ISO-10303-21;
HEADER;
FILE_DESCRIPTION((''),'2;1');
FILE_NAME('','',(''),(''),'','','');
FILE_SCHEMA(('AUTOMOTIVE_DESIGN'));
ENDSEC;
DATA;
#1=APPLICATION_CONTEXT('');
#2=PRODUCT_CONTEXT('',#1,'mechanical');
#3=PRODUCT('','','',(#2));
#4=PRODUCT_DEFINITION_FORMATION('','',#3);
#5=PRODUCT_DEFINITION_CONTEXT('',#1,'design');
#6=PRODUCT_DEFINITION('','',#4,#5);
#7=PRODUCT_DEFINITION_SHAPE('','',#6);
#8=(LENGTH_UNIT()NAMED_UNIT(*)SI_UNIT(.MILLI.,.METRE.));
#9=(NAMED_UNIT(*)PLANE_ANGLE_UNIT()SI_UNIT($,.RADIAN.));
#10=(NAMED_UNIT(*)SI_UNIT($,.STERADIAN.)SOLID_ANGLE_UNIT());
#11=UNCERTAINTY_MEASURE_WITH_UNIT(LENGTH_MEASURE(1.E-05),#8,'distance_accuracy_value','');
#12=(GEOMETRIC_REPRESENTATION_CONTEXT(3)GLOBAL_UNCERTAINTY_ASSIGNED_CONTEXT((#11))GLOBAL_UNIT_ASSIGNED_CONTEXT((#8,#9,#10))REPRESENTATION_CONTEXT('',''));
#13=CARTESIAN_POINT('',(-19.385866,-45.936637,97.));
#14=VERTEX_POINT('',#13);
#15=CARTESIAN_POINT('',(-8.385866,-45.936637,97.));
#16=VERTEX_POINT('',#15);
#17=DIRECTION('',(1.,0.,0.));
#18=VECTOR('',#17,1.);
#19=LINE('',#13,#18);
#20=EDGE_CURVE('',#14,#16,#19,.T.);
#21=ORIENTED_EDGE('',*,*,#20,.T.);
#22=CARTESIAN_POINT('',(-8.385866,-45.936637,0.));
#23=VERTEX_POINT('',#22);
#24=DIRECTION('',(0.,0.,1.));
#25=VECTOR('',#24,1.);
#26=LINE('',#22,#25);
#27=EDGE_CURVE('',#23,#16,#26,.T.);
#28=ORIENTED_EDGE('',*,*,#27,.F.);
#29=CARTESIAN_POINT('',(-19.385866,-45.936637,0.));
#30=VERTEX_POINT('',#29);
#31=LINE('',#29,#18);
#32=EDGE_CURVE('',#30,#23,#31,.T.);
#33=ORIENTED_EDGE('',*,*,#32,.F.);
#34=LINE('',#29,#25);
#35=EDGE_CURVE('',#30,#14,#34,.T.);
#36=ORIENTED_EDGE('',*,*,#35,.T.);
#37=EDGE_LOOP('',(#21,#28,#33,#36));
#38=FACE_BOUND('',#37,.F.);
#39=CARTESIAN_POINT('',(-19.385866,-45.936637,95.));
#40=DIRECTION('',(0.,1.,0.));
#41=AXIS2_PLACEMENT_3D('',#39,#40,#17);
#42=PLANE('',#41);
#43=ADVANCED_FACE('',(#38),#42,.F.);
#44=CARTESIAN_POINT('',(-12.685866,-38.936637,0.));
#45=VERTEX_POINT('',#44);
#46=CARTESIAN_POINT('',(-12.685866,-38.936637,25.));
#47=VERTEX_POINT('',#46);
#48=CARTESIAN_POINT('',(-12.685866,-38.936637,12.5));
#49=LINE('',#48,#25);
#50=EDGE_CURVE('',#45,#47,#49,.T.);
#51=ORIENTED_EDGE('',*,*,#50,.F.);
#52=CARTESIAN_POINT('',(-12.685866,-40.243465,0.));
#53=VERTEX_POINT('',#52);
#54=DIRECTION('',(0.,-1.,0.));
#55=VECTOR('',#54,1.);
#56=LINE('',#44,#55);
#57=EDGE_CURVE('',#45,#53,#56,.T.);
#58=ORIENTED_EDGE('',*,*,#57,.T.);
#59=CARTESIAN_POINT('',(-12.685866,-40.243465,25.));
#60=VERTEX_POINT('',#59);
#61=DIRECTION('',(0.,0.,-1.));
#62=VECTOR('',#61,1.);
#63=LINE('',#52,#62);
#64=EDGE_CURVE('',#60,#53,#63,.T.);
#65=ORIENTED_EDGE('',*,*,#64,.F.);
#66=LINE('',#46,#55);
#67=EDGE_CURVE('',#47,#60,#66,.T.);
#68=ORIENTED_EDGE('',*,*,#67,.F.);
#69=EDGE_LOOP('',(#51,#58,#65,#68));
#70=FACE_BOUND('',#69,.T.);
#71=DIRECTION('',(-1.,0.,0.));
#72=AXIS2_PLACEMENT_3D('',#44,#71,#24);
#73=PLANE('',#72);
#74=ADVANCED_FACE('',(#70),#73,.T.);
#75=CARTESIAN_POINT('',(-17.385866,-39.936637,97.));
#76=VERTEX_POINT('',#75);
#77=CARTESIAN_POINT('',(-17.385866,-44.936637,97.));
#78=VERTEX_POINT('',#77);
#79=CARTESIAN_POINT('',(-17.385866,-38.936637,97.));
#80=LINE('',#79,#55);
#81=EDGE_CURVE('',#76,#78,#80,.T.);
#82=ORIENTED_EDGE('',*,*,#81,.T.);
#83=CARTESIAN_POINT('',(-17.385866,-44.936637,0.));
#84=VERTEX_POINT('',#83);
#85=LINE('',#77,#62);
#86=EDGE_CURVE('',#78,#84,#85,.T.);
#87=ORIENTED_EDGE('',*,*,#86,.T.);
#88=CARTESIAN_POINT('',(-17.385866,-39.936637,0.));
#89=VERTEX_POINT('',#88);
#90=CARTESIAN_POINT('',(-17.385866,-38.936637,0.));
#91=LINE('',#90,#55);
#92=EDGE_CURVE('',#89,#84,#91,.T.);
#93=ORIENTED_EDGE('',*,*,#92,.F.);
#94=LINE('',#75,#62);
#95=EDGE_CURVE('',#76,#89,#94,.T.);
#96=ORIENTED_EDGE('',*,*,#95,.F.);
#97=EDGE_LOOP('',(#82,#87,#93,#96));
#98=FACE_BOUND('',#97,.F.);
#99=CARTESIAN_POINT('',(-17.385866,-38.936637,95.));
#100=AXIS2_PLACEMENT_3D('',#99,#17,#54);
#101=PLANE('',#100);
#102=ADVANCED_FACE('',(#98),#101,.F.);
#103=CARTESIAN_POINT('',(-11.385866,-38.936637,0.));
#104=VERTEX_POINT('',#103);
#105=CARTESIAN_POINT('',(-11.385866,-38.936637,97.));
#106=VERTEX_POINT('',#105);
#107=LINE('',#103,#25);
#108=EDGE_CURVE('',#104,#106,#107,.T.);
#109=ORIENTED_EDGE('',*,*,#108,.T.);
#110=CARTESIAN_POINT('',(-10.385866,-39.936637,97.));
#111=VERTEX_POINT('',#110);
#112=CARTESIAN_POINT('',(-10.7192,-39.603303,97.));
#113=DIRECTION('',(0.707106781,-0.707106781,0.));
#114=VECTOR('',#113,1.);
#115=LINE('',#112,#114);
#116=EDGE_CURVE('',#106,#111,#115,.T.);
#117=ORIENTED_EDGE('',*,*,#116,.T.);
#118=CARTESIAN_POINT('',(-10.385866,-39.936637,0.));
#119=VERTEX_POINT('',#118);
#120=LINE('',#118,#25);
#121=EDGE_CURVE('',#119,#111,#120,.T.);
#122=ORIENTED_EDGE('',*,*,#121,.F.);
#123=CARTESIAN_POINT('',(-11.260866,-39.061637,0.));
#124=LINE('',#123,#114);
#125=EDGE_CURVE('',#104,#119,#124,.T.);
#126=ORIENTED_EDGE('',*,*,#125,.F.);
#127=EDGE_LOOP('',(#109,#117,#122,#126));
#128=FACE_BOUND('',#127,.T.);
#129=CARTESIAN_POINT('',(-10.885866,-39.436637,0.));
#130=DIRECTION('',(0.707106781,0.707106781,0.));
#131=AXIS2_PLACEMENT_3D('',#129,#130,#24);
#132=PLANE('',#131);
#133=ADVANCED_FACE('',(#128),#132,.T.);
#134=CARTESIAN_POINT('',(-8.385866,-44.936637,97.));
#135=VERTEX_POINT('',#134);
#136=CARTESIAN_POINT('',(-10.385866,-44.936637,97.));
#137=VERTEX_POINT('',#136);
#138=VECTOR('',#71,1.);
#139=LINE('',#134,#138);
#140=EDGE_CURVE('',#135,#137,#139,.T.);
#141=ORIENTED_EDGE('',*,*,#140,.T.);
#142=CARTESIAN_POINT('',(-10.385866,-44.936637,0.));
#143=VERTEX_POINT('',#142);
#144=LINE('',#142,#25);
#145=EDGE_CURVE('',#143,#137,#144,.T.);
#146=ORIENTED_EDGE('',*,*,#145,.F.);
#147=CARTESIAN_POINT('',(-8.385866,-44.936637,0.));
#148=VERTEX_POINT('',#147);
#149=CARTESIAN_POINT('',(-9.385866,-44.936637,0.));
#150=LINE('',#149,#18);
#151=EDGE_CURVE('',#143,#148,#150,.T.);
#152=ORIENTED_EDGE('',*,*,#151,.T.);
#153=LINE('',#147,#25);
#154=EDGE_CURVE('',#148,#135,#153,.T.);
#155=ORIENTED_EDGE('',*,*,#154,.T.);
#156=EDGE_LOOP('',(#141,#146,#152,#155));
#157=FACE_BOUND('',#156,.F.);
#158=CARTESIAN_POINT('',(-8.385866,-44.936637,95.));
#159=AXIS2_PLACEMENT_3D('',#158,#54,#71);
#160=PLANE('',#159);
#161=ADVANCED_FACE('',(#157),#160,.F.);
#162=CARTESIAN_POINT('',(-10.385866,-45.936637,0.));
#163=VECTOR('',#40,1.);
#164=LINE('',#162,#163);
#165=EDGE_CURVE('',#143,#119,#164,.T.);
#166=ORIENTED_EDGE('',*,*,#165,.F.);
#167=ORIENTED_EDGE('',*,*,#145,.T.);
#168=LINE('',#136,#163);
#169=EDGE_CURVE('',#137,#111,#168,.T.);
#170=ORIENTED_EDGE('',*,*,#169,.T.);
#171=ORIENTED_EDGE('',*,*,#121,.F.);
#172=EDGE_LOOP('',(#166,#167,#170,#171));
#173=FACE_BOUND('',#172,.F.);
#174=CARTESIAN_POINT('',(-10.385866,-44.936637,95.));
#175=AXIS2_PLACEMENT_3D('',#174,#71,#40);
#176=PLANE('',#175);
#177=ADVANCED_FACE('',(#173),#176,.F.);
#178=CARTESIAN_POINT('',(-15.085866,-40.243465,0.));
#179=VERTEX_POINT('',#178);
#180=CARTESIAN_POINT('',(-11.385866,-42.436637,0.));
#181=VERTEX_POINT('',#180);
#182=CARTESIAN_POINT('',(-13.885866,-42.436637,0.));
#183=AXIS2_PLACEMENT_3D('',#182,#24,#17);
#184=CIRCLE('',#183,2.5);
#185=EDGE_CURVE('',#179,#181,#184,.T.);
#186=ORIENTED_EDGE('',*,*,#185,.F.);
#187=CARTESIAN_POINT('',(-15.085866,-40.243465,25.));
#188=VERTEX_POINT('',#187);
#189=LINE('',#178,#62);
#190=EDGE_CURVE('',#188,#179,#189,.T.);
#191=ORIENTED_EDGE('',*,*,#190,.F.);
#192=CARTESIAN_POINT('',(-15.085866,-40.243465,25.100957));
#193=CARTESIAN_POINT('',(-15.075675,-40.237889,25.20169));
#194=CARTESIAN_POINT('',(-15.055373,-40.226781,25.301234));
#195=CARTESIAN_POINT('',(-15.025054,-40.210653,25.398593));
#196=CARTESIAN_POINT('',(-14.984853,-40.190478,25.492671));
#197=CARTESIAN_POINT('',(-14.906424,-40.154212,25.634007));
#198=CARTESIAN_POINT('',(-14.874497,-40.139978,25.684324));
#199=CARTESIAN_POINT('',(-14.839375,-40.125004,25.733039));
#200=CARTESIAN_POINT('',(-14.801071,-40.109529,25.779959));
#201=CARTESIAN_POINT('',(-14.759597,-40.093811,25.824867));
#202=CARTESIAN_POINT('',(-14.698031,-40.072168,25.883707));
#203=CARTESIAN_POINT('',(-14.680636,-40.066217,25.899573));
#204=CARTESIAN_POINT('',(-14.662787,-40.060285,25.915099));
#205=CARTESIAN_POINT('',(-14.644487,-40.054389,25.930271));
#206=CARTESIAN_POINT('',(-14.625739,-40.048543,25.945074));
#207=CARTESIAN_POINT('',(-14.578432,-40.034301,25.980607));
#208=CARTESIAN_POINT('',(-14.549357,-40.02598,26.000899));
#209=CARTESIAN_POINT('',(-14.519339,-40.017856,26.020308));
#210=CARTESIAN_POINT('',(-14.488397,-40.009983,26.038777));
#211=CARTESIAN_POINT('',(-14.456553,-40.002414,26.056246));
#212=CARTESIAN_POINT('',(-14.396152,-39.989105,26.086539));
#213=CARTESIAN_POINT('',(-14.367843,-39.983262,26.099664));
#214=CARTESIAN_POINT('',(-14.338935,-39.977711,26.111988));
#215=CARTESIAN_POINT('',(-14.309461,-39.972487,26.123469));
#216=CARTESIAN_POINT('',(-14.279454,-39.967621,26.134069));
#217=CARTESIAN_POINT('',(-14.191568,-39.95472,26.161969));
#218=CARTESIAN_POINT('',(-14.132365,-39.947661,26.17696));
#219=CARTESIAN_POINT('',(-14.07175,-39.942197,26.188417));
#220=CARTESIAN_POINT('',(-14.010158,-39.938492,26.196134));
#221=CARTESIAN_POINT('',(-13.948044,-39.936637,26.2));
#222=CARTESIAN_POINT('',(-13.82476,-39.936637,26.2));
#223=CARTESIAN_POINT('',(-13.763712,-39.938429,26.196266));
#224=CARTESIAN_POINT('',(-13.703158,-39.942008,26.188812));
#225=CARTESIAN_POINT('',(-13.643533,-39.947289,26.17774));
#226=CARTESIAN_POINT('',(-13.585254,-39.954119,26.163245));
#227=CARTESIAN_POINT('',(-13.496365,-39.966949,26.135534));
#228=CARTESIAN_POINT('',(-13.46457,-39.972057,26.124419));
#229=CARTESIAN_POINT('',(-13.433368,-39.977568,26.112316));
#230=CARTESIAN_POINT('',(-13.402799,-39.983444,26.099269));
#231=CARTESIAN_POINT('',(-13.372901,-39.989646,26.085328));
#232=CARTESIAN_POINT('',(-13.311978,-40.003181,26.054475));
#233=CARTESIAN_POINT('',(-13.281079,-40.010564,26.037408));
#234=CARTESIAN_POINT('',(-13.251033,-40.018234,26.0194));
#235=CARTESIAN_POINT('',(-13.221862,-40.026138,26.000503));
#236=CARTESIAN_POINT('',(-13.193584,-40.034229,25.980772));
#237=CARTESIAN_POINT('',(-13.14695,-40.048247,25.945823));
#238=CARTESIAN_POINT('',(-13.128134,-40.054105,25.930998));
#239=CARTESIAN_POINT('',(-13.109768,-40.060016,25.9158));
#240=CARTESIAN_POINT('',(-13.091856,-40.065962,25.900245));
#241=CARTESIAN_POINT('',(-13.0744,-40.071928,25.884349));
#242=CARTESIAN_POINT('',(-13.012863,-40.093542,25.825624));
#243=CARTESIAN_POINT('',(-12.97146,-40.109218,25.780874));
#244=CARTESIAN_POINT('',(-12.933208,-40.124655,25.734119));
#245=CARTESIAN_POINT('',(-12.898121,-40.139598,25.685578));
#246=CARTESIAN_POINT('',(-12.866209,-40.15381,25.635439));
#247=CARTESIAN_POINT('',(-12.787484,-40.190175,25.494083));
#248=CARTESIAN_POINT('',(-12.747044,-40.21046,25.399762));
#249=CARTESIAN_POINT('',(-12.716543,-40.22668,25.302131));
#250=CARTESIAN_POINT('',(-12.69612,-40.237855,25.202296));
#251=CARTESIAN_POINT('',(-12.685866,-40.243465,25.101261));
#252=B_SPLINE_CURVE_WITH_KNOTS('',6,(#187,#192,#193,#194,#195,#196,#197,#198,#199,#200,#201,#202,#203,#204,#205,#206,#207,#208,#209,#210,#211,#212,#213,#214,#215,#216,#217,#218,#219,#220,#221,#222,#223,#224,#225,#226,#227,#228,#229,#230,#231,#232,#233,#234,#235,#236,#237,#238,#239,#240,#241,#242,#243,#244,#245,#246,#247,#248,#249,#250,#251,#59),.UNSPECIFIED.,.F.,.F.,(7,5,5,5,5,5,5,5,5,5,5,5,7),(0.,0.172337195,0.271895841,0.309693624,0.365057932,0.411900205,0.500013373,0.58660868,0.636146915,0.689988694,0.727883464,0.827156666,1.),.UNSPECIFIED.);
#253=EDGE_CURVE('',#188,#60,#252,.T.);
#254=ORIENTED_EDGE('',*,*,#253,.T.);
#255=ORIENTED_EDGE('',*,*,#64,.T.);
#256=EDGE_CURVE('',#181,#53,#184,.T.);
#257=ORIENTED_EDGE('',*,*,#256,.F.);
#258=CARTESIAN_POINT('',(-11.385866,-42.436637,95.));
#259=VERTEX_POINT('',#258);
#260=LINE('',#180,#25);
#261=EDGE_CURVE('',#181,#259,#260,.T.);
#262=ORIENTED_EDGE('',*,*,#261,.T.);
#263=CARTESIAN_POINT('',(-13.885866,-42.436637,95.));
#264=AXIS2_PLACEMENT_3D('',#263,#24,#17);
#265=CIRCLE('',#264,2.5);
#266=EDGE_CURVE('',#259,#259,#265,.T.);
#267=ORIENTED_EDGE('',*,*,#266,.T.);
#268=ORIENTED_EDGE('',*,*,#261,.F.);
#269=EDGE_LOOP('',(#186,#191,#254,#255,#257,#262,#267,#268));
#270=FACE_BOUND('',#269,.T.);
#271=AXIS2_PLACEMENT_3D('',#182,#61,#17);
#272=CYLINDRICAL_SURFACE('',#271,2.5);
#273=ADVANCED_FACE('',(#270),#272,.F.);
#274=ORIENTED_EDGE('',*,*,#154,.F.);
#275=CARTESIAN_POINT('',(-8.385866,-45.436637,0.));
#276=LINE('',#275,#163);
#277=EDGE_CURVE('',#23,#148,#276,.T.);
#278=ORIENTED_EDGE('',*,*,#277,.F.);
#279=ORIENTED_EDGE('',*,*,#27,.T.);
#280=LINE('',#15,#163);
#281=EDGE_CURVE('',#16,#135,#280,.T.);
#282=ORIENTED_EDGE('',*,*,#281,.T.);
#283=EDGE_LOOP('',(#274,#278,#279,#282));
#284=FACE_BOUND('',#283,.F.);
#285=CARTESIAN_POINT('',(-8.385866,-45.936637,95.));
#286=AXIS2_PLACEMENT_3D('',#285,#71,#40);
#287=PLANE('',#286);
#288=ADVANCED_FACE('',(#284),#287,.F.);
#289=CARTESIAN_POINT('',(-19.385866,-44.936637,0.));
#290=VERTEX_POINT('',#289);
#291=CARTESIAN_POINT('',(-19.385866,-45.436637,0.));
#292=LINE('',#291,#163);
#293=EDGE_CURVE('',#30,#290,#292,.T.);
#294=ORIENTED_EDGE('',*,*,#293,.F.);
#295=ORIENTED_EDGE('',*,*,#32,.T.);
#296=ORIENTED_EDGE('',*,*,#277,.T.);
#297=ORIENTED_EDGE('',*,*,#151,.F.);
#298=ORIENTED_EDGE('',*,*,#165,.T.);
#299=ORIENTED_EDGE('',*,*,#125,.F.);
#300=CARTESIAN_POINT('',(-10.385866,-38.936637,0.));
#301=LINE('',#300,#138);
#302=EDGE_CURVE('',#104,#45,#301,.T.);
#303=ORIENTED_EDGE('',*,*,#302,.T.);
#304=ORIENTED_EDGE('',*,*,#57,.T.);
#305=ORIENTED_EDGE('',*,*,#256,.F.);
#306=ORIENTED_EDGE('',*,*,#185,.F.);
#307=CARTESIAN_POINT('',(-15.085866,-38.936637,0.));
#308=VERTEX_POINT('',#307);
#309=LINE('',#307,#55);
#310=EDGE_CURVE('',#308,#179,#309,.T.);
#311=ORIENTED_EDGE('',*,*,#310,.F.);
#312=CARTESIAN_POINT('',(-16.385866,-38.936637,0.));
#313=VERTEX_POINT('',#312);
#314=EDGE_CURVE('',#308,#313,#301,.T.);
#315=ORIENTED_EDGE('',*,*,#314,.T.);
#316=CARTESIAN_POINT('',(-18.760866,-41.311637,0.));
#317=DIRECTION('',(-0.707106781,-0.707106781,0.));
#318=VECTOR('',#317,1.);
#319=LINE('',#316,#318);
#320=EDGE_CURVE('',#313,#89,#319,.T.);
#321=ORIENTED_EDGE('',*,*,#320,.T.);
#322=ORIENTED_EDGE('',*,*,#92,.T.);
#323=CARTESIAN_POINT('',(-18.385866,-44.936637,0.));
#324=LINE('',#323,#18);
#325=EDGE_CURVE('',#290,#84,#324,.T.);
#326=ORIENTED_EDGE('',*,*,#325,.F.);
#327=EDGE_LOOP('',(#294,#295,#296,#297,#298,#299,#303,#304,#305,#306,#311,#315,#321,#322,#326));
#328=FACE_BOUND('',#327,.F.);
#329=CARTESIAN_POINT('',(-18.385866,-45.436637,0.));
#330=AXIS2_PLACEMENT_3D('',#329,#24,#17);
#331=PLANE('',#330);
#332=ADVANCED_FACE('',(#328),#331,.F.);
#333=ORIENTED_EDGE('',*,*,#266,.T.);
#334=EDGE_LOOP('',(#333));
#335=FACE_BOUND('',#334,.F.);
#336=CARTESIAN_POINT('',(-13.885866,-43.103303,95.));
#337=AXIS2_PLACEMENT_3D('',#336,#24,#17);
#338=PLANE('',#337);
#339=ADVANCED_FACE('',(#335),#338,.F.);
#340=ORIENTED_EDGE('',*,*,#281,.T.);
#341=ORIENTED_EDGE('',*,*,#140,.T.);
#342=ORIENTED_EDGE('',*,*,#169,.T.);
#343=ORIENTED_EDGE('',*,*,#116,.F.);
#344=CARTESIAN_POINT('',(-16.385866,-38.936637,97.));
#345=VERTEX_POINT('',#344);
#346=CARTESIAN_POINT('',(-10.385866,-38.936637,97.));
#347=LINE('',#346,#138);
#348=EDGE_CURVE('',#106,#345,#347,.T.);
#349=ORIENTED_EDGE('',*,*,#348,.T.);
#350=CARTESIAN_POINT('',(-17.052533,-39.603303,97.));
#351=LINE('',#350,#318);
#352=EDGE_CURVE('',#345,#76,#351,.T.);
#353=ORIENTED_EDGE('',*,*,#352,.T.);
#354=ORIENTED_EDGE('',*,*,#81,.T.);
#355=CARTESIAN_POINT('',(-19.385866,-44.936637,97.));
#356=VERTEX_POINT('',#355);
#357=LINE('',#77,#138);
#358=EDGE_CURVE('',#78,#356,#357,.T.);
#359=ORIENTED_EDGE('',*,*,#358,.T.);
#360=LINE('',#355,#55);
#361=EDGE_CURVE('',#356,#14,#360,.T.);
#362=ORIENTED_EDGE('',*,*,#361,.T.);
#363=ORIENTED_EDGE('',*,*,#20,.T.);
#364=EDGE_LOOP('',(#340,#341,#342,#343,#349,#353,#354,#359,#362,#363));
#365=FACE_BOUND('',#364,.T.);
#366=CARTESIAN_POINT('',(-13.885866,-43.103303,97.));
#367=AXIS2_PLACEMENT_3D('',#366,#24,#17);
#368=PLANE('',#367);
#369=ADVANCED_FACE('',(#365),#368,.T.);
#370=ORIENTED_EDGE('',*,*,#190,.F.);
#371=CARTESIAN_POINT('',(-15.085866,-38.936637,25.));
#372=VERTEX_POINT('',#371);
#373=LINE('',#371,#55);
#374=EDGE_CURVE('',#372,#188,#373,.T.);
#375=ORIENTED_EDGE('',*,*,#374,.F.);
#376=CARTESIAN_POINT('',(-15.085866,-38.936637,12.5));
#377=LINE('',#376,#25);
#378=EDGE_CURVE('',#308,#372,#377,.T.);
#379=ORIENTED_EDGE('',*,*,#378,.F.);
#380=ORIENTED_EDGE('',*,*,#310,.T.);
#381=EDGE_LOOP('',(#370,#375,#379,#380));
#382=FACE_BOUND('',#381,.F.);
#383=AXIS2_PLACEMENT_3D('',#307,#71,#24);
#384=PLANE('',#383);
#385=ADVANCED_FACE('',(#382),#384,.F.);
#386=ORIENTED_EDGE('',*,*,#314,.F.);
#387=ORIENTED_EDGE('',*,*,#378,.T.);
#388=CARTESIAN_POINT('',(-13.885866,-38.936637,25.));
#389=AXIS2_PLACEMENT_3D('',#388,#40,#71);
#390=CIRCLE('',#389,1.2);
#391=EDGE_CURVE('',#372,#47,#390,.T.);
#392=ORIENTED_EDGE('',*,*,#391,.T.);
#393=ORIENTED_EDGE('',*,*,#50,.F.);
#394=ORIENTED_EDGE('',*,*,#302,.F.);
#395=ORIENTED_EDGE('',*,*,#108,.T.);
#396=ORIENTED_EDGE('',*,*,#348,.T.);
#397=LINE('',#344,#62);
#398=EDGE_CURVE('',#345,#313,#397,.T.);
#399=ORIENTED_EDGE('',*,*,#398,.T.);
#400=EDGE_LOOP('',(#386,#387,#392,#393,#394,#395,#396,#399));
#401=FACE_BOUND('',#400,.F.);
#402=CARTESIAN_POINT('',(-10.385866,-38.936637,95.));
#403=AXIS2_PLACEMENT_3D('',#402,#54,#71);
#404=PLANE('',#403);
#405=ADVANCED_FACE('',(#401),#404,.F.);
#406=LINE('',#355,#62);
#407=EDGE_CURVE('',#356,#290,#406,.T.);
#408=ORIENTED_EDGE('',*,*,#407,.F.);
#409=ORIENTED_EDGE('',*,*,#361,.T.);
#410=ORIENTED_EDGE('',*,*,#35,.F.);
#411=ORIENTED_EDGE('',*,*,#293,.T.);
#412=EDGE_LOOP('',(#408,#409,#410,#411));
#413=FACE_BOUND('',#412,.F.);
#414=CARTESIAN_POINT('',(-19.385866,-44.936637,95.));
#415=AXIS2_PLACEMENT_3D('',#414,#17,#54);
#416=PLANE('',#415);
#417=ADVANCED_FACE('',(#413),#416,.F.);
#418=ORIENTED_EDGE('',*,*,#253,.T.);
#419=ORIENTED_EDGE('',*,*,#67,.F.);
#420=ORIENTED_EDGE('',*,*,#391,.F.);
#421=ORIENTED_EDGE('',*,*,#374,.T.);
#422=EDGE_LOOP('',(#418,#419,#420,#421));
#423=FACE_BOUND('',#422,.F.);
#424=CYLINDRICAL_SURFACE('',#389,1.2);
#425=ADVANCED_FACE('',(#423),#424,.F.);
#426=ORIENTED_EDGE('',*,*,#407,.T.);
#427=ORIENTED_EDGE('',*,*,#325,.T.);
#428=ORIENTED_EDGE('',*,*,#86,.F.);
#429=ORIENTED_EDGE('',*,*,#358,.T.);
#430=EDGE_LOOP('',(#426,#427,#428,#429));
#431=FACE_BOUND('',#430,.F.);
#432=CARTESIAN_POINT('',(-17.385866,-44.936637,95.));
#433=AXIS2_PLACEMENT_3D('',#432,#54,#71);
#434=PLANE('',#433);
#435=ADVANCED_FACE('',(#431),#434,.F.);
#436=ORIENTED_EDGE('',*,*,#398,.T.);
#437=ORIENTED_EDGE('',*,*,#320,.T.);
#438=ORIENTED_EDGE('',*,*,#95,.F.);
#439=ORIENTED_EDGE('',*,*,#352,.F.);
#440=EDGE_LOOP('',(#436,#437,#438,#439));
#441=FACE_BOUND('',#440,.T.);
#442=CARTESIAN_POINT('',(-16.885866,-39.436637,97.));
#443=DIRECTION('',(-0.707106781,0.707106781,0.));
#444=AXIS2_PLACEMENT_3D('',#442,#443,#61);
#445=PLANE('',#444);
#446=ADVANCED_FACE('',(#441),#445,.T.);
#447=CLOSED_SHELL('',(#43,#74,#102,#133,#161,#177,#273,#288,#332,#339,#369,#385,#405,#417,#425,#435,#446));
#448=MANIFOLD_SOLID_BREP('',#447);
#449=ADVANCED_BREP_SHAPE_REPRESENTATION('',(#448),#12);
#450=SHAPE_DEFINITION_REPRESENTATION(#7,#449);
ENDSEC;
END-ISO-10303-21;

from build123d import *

# Parameters (mm, degrees)
F0_W     = 2
F0_H     = 1
F0_R     = 2.5
F1_DEPTH = 95
F3_DEPTH = 2
F5_SIZE  = 1
F6_SIZE  = 1
F7_W     = 2.4
F7_H     = 25
F8_DEPTH = 1.3078288801


with BuildPart() as f1:
    # F0 (on Top) → F1 (new body)
    with BuildSketch(Plane.XY):
        with Locations((-18.385866493, -45.4366366267)):
            Rectangle(F0_W, F0_H)
        Polygon((-10.385866493, -38.9366366267), (-17.385866493, -38.9366366267), (-17.385866493, -44.9366366267), (-17.385866493, -45.9366366267), (-10.385866493, -45.9366366267), (-10.385866493, -44.9366366267), align=None)
        with Locations((-13.885866493, -42.4366366267)):
            Circle(F0_R, mode=Mode.SUBTRACT)
        with Locations((-9.385866493, -45.4366366267)):
            Rectangle(F0_W, F0_H)
    extrude(amount=F1_DEPTH)


with BuildPart() as f3:
    # F2 (on face) → F3 (new body)
    with BuildSketch(Plane.XY.offset(95)):
        Polygon((-19.385866493, -44.9366366267), (-19.385866493, -45.9366366267), (-8.385866493, -45.9366366267), (-8.385866493, -44.9366366267), (-10.385866493, -44.9366366267), (-10.385866493, -38.9366366267), (-17.385866493, -38.9366366267), (-17.385866493, -44.9366366267), align=None)
    extrude(amount=F3_DEPTH)


with BuildPart() as f1_1:
    add(f1.part)

    # F4: union F3
    add(f3.part)

    # F5
    f5_edges = [f1_1.edges().sort_by_distance(p)[0] for p in [
        (-10.385866, -38.936637, 48.5),
    ]]
    chamfer(f5_edges, length=F5_SIZE)

    # F6
    f6_edges = [f1_1.edges().sort_by_distance(p)[0] for p in [
        (-17.385866, -38.936637, 48.5),
    ]]
    chamfer(f6_edges, length=F6_SIZE)

    # F7 (on face) → F8 (cut, through all)
    with BuildSketch(Plane(origin=(0, -38.9366366267, 0), x_dir=(-1, 0, 0), z_dir=(0, 1, 0))):
        with Locations((13.885866493, 12.5)):
            Rectangle(F7_W, F7_H)
        with BuildLine():
            ThreePointArc((15.085866493, 25), (13.885866493, 26.2), (12.685866493, 25))
            Line((12.685866493, 25), (15.085866493, 25))
        make_face()
    extrude(amount=-F8_DEPTH, mode=Mode.SUBTRACT)


solid = f1_1.part
